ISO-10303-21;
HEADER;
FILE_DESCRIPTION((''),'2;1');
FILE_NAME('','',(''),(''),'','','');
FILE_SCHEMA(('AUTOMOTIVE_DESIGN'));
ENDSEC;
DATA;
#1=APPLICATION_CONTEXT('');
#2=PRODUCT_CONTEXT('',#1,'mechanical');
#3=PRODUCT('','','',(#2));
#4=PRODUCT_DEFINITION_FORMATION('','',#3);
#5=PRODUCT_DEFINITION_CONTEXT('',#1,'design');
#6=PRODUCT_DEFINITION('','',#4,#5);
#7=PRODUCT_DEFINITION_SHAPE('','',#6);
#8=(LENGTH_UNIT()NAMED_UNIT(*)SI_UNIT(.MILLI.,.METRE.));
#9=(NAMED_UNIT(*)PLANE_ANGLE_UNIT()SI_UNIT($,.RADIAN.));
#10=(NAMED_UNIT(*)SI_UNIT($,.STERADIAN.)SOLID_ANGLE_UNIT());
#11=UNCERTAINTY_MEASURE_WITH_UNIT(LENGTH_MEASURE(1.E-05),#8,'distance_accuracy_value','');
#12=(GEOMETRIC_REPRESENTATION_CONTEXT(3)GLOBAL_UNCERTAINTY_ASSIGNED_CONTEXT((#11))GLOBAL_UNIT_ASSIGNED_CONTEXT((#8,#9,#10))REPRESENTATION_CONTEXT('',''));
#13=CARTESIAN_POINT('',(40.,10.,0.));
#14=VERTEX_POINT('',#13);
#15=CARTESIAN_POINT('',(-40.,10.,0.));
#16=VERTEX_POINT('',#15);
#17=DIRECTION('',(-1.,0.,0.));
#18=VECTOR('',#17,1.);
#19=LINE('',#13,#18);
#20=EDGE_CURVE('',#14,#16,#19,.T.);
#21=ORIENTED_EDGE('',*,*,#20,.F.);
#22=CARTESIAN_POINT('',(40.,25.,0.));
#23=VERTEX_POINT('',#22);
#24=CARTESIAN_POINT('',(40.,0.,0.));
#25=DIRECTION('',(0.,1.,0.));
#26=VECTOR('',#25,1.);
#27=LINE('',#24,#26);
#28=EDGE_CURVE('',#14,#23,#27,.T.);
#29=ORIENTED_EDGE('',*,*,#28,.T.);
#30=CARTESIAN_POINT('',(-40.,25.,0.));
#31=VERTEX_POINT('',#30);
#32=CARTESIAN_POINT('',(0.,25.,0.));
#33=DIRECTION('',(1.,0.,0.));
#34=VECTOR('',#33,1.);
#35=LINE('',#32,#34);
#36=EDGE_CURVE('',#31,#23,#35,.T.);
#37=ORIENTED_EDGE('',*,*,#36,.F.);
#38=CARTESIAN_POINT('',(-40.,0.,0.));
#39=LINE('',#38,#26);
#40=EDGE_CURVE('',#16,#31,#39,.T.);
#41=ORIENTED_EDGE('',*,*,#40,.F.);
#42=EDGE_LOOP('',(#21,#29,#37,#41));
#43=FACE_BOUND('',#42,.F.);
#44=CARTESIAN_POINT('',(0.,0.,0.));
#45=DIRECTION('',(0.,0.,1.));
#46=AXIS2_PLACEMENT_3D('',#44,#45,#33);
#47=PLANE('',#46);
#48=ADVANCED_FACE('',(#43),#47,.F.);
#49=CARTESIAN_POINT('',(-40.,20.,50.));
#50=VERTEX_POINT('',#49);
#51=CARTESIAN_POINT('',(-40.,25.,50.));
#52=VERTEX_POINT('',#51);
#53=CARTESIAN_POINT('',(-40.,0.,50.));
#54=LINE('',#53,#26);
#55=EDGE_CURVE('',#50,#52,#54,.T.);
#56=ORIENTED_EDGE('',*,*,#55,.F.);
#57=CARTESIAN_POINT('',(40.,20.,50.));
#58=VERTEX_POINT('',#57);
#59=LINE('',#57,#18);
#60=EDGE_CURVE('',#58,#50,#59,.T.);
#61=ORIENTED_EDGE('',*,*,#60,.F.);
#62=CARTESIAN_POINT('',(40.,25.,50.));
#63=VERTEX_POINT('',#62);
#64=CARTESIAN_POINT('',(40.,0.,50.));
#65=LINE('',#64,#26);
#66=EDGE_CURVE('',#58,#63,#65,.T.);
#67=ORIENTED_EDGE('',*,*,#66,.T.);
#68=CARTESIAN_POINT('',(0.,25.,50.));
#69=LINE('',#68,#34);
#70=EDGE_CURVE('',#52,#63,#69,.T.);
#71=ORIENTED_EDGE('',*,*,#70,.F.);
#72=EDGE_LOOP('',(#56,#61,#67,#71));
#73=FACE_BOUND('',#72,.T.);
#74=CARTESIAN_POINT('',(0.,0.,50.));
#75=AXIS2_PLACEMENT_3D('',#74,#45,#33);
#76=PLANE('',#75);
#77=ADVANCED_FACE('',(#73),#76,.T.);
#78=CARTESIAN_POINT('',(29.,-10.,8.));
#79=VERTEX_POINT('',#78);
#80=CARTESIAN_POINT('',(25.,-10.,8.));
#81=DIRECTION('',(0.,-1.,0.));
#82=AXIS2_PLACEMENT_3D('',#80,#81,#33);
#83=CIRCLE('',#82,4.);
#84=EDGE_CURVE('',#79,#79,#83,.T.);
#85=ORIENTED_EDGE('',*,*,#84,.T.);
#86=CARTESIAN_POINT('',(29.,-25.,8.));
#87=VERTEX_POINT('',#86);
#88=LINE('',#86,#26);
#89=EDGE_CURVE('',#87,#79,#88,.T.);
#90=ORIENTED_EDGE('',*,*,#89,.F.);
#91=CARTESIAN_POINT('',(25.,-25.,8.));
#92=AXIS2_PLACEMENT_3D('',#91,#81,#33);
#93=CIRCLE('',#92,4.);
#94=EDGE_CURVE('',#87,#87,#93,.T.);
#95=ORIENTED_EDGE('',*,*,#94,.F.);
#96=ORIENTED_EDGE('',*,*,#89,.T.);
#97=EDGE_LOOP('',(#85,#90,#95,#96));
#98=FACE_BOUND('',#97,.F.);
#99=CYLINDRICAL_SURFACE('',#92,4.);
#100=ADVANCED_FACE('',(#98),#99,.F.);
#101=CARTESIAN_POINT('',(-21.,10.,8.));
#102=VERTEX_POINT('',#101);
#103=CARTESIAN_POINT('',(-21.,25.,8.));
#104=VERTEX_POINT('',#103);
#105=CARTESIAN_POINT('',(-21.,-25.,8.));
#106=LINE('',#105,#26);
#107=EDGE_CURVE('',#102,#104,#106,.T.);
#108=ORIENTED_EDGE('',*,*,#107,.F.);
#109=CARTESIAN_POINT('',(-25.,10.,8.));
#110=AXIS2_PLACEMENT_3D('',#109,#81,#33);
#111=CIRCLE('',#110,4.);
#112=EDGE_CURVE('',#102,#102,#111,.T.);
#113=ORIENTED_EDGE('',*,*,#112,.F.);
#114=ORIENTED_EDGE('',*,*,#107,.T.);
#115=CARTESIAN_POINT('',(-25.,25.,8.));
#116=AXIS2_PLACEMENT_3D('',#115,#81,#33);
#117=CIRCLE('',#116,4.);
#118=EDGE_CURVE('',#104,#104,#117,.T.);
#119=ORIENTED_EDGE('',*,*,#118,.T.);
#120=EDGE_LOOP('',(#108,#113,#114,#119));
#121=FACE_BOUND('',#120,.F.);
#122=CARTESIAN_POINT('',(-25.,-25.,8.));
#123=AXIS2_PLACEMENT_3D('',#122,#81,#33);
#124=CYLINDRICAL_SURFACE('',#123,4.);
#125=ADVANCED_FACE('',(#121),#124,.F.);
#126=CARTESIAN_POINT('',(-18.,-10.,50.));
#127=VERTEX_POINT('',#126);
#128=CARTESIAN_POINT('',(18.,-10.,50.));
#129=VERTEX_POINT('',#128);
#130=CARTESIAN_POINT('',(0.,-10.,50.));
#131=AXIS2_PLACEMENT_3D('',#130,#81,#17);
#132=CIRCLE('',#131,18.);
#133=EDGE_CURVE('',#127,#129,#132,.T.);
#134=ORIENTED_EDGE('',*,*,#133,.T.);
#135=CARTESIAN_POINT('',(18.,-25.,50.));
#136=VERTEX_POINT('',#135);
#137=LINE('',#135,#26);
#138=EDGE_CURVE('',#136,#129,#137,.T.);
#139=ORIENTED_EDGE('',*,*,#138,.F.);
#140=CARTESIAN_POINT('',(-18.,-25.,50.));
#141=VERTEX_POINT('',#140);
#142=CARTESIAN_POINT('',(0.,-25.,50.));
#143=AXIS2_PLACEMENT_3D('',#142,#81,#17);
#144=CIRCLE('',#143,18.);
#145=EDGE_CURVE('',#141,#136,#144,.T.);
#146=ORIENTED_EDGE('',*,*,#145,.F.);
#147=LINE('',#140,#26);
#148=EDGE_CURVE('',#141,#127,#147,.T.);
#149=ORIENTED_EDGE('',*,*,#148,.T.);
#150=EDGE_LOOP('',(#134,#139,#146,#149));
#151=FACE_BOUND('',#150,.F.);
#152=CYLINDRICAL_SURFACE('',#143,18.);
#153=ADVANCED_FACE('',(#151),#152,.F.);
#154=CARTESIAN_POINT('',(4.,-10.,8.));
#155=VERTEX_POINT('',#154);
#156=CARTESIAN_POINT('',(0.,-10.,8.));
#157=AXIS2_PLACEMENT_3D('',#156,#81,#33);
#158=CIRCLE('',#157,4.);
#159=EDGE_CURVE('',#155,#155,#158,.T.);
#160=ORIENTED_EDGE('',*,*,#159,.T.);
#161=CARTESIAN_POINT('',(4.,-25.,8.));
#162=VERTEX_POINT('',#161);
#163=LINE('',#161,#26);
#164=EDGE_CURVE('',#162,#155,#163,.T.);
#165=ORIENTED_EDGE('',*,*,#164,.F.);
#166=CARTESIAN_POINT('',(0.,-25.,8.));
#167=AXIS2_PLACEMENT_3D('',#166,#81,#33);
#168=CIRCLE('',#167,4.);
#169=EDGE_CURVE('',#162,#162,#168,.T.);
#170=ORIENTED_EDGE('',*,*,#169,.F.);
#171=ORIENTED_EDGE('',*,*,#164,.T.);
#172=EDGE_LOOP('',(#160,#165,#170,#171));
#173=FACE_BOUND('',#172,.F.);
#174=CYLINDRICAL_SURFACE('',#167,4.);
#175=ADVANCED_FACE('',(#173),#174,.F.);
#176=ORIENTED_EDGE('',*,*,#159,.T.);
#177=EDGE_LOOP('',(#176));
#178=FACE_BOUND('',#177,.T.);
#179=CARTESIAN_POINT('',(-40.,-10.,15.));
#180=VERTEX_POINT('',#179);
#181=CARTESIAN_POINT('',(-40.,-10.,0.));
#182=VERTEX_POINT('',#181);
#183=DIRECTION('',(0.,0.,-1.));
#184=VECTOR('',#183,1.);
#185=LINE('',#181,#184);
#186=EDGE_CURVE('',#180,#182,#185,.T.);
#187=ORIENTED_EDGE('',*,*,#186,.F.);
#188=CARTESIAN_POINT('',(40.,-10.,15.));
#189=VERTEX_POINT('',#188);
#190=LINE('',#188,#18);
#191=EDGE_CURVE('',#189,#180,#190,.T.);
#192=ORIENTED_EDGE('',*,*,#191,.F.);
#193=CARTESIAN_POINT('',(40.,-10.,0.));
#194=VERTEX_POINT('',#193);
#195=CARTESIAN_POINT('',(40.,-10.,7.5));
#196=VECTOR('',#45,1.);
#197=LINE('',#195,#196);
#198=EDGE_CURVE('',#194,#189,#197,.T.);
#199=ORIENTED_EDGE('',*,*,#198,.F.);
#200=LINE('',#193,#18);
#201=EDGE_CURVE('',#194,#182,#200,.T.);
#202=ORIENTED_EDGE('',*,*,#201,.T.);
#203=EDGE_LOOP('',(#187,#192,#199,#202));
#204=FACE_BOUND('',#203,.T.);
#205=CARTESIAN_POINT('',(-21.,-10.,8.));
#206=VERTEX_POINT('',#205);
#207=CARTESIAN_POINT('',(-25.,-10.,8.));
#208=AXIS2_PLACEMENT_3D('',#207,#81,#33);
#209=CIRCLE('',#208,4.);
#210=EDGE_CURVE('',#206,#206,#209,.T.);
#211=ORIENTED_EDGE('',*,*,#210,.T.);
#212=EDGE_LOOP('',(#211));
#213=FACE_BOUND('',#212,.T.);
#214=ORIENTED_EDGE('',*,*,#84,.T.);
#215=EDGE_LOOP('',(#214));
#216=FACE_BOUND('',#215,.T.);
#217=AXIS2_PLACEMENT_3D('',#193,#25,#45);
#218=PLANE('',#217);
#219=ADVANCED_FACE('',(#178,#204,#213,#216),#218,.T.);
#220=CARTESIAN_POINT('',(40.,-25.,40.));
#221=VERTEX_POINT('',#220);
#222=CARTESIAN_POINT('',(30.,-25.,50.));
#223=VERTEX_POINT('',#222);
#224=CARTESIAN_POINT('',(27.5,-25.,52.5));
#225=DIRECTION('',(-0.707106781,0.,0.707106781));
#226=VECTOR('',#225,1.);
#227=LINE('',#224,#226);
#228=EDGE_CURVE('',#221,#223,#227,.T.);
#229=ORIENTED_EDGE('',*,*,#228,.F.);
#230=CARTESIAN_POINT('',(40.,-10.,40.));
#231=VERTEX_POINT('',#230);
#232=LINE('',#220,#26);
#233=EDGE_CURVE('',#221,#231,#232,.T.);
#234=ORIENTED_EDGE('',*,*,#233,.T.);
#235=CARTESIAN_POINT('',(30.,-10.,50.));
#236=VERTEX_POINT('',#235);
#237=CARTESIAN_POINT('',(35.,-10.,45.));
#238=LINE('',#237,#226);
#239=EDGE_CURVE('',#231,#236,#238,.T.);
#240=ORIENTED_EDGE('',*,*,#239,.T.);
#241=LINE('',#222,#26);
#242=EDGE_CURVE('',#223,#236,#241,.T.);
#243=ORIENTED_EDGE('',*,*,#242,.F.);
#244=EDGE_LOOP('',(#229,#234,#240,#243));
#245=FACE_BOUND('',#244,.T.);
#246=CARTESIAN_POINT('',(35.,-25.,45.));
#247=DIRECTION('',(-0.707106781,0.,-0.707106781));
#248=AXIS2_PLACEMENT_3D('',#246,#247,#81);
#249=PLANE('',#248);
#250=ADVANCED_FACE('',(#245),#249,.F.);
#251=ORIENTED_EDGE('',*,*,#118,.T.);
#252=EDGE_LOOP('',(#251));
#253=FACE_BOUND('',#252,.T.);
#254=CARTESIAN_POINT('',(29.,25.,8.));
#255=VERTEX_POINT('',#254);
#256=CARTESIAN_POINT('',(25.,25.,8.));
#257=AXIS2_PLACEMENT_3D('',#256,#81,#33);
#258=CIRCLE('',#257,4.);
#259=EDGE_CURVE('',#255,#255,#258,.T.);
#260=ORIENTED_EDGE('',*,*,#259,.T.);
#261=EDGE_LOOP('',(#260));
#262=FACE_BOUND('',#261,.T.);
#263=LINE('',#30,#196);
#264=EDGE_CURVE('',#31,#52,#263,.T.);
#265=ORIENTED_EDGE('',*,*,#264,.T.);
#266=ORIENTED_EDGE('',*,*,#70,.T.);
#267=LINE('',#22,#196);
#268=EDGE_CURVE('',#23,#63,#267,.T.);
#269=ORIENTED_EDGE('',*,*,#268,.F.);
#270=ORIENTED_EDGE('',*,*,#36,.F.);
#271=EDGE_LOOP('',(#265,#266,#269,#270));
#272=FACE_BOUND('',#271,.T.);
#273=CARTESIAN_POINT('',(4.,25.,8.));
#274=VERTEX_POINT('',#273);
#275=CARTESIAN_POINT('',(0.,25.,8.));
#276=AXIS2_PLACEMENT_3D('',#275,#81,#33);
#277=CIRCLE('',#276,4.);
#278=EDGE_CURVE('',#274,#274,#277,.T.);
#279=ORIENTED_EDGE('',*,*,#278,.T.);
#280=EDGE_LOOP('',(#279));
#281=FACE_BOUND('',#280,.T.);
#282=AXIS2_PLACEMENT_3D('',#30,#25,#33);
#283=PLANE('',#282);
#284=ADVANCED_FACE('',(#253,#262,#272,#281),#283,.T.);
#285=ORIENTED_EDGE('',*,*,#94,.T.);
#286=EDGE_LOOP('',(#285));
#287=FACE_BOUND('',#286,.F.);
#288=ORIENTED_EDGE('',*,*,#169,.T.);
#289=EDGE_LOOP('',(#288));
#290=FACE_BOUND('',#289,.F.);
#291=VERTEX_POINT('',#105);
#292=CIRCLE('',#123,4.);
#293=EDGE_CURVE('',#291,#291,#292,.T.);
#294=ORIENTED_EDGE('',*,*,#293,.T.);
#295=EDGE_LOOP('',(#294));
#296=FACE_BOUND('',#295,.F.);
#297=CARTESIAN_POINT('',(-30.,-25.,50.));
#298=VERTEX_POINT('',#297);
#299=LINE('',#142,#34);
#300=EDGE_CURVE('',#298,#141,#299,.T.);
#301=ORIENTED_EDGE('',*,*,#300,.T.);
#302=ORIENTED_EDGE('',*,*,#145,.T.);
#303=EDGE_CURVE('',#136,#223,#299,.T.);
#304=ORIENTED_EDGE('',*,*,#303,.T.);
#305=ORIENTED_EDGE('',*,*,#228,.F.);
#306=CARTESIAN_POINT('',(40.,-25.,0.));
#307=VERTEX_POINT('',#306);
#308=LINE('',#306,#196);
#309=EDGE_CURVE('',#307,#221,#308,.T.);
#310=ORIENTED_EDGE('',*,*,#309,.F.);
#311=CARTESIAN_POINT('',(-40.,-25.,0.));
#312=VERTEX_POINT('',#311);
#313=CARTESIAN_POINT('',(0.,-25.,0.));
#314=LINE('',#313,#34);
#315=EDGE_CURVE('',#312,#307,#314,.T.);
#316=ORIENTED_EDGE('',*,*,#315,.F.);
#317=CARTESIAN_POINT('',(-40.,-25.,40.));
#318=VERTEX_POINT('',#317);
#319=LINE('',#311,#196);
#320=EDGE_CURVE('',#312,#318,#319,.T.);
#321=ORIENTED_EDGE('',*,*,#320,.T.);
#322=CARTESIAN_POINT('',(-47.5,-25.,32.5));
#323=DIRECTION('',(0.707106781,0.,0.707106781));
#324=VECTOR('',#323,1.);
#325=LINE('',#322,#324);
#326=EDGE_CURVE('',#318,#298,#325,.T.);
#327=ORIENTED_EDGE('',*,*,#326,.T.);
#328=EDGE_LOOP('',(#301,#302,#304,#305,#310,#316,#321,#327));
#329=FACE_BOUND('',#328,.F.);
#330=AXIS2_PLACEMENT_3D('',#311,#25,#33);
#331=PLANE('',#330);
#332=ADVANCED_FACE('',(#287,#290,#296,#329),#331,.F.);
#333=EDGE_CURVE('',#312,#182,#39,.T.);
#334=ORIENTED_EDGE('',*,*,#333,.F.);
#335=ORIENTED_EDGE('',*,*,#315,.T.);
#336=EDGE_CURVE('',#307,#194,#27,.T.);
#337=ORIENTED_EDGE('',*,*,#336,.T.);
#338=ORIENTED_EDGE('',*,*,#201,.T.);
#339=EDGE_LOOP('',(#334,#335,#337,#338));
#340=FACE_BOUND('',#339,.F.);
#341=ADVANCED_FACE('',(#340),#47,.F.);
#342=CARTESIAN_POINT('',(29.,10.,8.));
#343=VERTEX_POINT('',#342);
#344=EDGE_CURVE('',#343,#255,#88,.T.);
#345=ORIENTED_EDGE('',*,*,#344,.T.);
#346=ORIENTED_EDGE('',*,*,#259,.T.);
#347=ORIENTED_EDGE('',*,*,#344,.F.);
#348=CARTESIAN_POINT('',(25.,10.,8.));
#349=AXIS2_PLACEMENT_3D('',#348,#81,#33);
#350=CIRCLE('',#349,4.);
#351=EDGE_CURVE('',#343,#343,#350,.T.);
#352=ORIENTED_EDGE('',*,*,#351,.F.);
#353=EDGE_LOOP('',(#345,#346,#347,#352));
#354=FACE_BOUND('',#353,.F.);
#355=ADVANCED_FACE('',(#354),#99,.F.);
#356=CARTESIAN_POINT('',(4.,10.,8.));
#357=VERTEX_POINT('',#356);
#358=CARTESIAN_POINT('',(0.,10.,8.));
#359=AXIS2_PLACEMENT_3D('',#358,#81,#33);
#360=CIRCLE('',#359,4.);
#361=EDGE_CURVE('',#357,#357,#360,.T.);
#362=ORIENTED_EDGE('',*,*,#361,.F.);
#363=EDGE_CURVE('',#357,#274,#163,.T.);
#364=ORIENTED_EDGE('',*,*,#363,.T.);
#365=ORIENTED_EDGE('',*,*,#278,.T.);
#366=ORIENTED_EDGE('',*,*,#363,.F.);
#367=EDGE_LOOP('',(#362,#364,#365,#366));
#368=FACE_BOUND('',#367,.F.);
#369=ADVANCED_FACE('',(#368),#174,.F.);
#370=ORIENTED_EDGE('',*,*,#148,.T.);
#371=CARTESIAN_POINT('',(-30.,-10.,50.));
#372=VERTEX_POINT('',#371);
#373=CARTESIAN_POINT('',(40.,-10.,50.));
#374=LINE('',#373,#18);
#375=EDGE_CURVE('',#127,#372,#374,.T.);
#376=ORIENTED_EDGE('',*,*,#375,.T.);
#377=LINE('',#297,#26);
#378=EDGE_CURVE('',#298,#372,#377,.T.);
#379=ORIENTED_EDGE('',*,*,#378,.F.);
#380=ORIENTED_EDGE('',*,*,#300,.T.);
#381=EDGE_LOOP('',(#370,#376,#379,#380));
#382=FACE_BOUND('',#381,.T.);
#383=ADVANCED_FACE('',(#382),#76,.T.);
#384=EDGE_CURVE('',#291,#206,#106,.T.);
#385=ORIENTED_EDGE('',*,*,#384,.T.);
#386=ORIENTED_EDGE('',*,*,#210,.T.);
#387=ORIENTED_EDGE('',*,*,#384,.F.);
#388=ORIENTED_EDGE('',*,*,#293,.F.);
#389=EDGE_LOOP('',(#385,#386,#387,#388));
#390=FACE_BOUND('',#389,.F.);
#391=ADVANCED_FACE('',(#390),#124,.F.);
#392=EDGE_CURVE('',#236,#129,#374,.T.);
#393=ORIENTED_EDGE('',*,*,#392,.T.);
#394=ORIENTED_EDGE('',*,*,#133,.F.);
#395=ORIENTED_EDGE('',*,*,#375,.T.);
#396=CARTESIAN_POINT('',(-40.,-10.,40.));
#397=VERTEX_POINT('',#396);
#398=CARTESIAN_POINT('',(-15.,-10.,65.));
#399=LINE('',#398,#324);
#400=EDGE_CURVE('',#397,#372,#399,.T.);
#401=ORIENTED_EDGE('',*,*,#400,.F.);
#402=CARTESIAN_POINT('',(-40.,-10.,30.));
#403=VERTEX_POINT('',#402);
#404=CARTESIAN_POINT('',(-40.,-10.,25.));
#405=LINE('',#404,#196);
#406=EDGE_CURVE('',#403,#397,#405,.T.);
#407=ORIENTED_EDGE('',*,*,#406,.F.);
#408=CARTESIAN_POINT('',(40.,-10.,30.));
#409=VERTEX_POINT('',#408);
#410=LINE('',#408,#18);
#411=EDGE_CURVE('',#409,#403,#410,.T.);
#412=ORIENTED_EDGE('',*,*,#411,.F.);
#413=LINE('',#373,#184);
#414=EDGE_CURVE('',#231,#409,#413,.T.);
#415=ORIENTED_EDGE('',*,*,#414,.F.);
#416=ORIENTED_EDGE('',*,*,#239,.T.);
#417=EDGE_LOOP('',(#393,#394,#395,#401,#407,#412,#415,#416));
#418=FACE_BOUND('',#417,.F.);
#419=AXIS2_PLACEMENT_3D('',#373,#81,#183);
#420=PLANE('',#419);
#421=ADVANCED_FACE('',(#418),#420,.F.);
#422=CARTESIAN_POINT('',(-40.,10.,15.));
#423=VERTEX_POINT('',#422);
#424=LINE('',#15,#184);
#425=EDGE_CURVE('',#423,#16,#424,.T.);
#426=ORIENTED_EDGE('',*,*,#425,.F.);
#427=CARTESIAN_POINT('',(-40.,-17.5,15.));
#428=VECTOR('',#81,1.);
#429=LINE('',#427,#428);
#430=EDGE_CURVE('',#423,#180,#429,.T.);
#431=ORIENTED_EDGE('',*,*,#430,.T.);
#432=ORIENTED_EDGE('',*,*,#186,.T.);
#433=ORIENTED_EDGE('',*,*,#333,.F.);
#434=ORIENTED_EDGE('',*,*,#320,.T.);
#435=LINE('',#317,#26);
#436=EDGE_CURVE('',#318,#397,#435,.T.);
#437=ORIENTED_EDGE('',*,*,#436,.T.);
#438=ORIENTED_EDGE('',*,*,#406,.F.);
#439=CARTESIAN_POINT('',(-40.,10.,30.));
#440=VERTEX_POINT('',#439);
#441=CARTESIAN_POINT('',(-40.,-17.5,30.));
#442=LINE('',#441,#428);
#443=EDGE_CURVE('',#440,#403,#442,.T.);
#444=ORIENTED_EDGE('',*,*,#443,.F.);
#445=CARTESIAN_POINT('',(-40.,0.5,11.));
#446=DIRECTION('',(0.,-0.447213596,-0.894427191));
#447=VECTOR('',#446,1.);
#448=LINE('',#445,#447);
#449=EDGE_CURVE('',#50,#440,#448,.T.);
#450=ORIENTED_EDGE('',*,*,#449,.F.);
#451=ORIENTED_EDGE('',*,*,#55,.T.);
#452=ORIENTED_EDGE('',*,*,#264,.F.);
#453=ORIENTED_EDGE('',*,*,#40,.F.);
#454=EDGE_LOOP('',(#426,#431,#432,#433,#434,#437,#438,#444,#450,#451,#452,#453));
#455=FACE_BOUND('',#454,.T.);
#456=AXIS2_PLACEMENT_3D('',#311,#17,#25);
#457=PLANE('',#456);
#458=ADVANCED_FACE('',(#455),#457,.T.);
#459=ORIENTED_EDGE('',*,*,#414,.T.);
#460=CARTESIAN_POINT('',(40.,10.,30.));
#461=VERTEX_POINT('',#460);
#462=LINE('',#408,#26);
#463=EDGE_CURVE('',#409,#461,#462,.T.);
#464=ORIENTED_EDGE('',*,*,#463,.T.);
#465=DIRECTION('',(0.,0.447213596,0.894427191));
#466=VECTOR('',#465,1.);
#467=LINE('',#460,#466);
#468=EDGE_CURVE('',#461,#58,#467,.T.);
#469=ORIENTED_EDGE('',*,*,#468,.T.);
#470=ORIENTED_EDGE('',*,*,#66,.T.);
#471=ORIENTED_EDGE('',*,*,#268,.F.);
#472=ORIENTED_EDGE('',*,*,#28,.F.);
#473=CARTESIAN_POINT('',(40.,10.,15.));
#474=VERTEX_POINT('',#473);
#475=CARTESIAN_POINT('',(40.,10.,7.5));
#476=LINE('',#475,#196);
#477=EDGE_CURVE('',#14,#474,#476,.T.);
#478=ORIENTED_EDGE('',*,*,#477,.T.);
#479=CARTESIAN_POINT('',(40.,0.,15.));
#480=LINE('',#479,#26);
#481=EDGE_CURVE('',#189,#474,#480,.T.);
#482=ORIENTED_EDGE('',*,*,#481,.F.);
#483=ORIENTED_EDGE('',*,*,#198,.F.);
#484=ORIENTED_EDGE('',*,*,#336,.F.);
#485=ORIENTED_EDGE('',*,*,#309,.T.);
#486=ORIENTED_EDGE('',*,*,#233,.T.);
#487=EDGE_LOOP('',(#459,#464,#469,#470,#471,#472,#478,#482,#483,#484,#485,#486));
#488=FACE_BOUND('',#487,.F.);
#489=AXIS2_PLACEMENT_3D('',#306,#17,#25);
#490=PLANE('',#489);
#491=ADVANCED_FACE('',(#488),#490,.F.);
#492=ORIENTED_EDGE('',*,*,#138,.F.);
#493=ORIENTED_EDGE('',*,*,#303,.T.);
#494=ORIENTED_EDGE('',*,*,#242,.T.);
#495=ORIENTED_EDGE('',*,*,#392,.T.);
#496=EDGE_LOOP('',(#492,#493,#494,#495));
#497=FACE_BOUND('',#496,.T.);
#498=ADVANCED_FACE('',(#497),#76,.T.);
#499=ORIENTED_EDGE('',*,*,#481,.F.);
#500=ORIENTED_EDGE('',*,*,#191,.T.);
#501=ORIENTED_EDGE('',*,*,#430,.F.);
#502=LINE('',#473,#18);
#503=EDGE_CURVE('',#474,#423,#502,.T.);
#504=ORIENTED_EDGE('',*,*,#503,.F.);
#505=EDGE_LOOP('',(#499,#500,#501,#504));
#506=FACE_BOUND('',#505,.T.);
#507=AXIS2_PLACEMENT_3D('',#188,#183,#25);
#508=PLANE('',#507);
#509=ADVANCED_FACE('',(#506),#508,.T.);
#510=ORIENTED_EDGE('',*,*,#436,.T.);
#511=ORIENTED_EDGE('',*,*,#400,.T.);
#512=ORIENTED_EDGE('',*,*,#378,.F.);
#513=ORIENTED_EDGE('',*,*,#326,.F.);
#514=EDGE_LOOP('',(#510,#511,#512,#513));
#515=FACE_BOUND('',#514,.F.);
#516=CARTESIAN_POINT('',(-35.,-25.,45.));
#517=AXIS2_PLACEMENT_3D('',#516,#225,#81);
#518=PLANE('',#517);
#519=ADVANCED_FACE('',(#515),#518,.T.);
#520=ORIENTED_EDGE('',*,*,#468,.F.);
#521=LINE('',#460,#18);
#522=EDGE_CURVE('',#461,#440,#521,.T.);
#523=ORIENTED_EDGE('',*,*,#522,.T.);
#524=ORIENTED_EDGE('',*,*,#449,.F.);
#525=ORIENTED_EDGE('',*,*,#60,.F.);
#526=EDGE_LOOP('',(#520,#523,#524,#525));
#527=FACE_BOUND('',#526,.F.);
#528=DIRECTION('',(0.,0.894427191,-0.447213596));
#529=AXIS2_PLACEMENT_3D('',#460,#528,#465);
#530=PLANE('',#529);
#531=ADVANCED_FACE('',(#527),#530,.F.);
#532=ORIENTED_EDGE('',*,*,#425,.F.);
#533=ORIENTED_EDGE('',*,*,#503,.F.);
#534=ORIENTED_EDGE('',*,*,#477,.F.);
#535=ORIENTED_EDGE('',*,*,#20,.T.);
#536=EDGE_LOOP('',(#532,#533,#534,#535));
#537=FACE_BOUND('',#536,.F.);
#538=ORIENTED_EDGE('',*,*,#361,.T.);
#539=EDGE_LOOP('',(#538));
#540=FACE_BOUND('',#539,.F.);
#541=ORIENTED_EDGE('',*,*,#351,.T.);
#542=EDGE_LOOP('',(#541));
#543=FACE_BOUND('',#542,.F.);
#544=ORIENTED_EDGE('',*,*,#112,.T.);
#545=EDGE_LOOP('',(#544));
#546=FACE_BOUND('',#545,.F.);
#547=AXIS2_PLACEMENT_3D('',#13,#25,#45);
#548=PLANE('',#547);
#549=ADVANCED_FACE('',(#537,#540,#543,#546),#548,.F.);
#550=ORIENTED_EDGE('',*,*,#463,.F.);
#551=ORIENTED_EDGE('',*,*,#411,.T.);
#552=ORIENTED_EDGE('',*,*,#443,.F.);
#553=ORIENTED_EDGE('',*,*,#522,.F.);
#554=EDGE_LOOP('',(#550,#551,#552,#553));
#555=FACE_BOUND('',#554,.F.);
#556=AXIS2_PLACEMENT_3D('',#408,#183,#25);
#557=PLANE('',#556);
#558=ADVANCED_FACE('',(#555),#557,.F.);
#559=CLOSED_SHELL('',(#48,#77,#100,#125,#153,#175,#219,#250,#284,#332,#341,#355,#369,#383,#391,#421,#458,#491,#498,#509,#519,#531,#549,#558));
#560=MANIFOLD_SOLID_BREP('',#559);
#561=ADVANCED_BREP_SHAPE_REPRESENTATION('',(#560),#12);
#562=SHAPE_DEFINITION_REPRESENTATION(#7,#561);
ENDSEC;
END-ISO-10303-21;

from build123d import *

# Parameters (mm, degrees)
F0_W      = 80
F0_H      = 50
F1_DEPTH  = 50
F2_W      = 20
F2_H      = 15
F3_DEPTH  = 80.001
F5_DEPTH  = 80.001
F7_DEPTH  = 15
F8_SIZE   = 10
F9_R      = 4
F10_DEPTH = 50.001


with BuildPart() as f1:
    # F0 (on Top) → F1 (new body)
    with BuildSketch(Plane.XY):
        Rectangle(F0_W, F0_H)
    extrude(amount=F1_DEPTH)

    # F2 (on face) → F3 (cut, through all)
    with BuildSketch(Plane.YZ.offset(40)):
        with Locations((0, 7.5)):
            Rectangle(F2_W, F2_H)
    extrude(amount=-F3_DEPTH, mode=Mode.SUBTRACT)

    # F4 (on face) → F5 (cut, through all)
    with BuildSketch(Plane.YZ.offset(40)):
        Polygon((20, 50), (-10, 50), (-10, 30), (10, 30), align=None)
    extrude(amount=-F5_DEPTH, mode=Mode.SUBTRACT)

    # F6 (on face) → F7 (cut, through all)
    with BuildSketch(Plane.XZ.offset(25)):
        with BuildLine():
            ThreePointArc((-18, 50), (0, 32), (18, 50))
            Line((18, 50), (-18, 50))
        make_face()
    extrude(amount=-F7_DEPTH, mode=Mode.SUBTRACT)

    # F8
    f8_edges = [f1.edges().sort_by_distance(p)[0] for p in [
        (40, -17.5, 50),
        (-40, -17.5, 50),
    ]]
    chamfer(f8_edges, length=F8_SIZE)

    # F9 (on face) → F10 (cut, through all)
    with BuildSketch(Plane.XZ.offset(25)):
        with Locations((-25, 8)):
            Circle(F9_R)
        with Locations((0, 8)):
            Circle(F9_R)
        with Locations((25, 8)):
            Circle(F9_R)
    extrude(amount=-F10_DEPTH, mode=Mode.SUBTRACT)


solid = f1.part
